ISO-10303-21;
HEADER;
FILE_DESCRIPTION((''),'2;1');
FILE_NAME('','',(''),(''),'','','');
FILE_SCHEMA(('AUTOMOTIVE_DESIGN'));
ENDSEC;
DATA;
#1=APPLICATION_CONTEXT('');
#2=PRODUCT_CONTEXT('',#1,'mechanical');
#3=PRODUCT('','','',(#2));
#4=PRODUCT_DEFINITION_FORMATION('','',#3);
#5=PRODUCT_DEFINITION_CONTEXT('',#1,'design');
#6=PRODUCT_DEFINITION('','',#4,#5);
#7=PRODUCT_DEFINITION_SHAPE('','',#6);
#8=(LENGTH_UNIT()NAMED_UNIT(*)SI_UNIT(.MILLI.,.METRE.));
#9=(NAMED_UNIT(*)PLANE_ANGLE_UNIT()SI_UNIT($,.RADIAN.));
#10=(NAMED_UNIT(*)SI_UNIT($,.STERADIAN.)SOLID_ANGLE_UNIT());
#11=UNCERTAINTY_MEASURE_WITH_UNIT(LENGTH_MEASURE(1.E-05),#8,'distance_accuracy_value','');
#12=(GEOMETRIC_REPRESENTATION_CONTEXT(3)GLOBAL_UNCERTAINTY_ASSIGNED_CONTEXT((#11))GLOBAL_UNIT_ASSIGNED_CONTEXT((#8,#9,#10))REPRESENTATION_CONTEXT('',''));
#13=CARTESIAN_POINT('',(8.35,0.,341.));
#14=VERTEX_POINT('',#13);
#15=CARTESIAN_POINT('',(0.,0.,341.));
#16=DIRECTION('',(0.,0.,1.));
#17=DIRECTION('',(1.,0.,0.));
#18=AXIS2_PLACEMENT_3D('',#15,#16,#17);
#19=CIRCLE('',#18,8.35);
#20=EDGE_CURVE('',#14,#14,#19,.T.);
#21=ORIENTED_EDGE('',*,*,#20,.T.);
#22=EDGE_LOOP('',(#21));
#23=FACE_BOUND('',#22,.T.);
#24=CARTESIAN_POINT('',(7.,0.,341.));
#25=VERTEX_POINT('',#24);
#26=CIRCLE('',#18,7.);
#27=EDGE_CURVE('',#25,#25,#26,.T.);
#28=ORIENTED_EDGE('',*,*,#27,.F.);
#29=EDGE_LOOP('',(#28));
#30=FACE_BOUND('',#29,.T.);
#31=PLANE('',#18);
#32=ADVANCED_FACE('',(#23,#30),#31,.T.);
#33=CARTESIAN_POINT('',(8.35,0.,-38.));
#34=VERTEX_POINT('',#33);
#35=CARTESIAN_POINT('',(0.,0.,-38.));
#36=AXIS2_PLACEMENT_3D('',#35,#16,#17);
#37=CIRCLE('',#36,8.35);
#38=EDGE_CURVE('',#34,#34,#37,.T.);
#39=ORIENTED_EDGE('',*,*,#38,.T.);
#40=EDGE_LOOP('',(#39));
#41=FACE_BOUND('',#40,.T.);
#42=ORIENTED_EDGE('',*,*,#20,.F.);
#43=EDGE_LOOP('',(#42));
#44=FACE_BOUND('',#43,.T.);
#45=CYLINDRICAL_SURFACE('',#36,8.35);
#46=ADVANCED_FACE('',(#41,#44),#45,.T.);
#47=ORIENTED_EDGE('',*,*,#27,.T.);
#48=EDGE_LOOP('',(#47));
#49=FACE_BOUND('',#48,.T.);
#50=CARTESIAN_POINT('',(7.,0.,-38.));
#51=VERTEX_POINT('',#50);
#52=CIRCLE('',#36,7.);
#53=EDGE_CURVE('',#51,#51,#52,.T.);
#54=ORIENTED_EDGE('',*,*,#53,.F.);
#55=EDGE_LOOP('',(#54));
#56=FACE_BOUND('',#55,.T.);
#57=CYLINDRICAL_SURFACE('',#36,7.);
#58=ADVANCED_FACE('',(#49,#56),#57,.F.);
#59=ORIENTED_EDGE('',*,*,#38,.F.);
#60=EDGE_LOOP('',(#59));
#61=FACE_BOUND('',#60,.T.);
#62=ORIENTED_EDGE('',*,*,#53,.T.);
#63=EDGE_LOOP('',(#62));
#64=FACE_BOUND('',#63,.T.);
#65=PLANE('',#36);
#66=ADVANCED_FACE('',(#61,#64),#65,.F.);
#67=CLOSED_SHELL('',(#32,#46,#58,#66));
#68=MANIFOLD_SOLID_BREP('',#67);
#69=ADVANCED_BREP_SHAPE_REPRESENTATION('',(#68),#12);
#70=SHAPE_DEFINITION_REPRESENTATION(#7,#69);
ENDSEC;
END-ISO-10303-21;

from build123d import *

# Parameters (mm, degrees)
SZKIC1_R                         = 8.35
SZKIC1_R_2                       = 7
DODANIE_WYCI_GNI_CIE1_DEPTH      = 341
DODANIE_WYCI_GNI_CIE1_DEPTH_BACK = 38


with BuildPart() as part:
    # Szkic1 → Dodanie-wyciągnięcie1 (new body, two sides)
    with BuildSketch(Plane.XY) as dodanie_wyci_gni_cie1_sk:
        Circle(SZKIC1_R)
        Circle(SZKIC1_R_2, mode=Mode.SUBTRACT)
    extrude(amount=DODANIE_WYCI_GNI_CIE1_DEPTH)
    extrude(dodanie_wyci_gni_cie1_sk.sketch, amount=-DODANIE_WYCI_GNI_CIE1_DEPTH_BACK)


solid = part.part
